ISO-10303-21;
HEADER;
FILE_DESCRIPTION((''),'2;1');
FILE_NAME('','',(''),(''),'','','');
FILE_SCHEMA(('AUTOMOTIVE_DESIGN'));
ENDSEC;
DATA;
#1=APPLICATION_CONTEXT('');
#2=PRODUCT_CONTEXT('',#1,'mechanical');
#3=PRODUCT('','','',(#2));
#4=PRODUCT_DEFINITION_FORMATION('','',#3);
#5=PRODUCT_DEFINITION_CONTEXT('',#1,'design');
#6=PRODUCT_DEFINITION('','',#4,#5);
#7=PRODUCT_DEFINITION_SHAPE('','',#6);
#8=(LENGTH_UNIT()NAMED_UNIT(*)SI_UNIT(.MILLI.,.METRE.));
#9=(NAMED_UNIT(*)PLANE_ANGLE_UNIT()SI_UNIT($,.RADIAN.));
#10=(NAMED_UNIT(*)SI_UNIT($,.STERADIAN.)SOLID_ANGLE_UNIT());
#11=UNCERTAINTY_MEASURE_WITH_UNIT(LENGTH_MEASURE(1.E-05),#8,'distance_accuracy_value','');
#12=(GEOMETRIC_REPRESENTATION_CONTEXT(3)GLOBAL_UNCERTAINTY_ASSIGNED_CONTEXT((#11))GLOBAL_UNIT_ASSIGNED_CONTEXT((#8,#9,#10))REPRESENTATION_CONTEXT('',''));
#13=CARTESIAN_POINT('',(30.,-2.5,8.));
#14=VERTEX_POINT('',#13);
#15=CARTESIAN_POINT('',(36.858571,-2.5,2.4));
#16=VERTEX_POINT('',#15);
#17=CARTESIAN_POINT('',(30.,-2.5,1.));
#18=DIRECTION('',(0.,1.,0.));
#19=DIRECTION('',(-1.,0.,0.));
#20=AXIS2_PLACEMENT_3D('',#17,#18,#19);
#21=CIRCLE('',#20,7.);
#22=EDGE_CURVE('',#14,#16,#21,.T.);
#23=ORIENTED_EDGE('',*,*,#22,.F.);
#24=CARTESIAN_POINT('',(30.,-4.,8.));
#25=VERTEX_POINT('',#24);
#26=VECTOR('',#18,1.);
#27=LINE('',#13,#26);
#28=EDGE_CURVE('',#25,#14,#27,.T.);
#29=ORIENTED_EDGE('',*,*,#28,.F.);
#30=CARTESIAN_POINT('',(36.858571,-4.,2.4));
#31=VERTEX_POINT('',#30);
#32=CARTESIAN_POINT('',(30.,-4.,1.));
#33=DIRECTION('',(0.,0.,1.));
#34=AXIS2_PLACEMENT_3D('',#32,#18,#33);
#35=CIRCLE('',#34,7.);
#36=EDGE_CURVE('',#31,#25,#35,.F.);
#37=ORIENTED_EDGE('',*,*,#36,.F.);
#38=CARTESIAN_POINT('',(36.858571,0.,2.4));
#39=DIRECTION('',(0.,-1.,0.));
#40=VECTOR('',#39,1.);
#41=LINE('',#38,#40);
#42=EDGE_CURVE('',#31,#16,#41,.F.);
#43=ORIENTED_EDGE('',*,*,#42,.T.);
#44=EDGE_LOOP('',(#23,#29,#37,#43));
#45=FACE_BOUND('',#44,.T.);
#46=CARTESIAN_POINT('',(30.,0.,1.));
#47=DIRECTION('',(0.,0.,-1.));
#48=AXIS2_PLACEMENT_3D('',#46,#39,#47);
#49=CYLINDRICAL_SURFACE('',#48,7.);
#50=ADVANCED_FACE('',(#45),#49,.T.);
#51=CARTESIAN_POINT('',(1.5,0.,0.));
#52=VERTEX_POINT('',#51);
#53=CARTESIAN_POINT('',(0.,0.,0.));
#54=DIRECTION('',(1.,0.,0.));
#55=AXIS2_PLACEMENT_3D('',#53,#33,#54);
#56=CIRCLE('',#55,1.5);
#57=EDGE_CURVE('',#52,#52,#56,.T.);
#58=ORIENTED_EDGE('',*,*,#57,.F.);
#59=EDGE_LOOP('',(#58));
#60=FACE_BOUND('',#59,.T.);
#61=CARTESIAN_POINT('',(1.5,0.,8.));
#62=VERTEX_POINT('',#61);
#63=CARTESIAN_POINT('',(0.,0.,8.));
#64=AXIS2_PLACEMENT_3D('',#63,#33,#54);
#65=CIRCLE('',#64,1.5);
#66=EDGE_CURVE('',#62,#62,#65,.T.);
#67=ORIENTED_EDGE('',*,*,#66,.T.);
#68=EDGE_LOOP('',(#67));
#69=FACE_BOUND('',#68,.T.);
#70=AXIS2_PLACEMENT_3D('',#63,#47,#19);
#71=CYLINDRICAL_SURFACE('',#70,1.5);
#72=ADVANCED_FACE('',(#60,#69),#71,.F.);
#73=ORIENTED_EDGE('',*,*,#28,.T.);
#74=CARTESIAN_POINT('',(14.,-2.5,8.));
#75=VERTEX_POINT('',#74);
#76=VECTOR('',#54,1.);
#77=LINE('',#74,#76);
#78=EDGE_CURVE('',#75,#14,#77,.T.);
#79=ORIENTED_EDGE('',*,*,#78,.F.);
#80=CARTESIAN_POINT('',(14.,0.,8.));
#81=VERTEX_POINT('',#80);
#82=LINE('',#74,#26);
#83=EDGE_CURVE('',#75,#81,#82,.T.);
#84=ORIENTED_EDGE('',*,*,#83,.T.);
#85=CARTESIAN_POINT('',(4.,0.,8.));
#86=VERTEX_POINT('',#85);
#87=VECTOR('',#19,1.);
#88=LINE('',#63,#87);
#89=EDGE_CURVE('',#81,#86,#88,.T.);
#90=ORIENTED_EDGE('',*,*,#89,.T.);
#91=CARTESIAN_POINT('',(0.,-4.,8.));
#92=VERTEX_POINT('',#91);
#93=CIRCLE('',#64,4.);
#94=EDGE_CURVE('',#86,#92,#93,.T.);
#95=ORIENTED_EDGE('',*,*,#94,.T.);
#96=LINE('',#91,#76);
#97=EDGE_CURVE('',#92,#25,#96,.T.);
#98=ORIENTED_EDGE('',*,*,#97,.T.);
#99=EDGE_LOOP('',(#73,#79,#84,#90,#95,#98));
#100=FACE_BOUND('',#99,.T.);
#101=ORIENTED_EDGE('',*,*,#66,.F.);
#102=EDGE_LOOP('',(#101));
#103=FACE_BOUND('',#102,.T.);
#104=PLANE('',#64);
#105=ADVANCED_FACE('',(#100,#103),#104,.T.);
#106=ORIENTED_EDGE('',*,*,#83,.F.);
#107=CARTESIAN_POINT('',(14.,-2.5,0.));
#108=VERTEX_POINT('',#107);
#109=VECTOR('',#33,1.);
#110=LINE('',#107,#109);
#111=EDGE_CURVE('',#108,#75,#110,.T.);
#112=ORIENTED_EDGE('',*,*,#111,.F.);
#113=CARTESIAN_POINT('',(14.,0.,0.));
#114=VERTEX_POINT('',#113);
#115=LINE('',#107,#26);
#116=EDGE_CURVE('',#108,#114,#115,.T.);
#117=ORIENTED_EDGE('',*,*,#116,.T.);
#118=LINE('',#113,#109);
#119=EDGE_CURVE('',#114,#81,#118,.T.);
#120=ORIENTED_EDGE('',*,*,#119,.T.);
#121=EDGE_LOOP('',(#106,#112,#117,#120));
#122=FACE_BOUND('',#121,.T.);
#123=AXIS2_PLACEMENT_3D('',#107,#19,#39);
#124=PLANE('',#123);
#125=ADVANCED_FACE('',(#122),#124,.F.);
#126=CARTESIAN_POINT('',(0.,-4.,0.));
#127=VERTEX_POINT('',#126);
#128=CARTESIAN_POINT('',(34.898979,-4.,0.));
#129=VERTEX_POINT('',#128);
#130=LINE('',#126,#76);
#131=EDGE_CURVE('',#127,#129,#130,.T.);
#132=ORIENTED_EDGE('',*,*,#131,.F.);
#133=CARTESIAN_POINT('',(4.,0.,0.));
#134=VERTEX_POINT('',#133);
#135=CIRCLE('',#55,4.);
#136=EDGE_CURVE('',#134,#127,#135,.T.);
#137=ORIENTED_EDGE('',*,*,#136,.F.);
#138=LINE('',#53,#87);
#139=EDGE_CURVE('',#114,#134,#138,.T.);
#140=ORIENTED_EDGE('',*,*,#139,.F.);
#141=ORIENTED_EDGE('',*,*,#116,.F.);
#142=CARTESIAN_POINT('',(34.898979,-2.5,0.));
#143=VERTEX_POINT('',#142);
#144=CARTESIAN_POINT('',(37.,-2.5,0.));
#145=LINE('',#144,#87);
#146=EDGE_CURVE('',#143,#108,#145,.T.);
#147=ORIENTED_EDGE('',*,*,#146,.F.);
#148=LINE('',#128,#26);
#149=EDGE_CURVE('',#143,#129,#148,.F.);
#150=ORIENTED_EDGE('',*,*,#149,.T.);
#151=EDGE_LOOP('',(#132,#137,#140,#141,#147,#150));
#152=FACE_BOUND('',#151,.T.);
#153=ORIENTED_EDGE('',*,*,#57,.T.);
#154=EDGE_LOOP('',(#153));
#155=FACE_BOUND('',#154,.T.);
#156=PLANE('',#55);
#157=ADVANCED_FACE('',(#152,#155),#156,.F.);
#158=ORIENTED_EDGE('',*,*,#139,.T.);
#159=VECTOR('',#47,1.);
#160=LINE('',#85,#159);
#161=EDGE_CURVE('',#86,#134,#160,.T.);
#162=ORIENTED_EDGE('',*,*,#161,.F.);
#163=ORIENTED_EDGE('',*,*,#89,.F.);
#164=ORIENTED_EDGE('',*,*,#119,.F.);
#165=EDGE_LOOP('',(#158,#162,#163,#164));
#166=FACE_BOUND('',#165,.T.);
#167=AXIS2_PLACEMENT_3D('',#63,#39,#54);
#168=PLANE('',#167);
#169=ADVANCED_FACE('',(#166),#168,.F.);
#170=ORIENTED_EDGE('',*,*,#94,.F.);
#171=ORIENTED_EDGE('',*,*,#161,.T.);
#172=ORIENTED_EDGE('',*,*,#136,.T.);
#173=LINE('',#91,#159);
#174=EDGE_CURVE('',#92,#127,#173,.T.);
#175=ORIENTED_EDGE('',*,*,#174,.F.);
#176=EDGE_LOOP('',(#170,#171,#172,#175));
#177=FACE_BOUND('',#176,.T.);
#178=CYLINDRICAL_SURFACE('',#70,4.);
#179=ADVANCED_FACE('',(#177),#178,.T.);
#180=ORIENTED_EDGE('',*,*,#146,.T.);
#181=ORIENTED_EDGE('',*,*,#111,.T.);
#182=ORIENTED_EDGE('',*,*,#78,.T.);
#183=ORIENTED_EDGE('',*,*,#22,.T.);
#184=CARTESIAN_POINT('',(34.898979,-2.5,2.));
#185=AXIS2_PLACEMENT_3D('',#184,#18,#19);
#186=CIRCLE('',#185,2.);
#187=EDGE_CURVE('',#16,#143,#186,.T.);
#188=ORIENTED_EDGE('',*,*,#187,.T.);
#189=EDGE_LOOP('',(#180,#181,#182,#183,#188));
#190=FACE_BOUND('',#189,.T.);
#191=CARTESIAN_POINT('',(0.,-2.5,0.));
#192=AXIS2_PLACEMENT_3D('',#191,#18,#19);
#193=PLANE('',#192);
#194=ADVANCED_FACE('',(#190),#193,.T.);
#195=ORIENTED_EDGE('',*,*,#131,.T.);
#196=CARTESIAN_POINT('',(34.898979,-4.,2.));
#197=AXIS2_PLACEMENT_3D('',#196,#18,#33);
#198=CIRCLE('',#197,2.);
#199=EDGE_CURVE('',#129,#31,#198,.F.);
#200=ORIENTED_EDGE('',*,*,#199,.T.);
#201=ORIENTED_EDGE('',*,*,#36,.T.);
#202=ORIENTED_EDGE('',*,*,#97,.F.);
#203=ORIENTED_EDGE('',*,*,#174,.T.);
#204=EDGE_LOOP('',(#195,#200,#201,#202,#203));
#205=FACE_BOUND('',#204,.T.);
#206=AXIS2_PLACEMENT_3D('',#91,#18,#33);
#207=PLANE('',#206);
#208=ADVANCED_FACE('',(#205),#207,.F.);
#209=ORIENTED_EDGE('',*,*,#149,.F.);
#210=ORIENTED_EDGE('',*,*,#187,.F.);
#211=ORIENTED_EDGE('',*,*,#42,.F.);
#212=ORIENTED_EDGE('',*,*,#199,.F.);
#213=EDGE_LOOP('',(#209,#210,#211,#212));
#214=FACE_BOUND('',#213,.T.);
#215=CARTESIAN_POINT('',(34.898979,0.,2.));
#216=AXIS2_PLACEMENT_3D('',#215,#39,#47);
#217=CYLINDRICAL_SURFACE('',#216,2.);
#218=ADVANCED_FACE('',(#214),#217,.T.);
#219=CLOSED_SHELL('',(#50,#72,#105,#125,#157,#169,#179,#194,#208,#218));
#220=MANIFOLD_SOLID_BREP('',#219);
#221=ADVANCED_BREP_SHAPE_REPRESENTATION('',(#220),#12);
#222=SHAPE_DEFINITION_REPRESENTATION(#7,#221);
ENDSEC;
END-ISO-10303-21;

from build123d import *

# Parameters (mm, degrees)
CROQUIS1_R              = 1.5
SALIENTE_EXTRUIR1_DEPTH = 8
CROQUIS2_W              = 23
CROQUIS2_H              = 8
CORTAR_EXTRUIR1_DEPTH   = 2.5
REDONDEO1_R             = 7
REDONDEO3_R             = 2


with BuildPart() as part:
    # Croquis1 → Saliente-Extruir1 (new body)
    with BuildSketch(Plane.XY):
        with BuildLine():
            Line((37, 0), (4, 0))
            ThreePointArc((4, 0), (-2.828427125, 2.828427125), (0, -4))
            Line((0, -4), (37, -4))
            Line((37, -4), (37, 0))
        make_face()
        Circle(CROQUIS1_R, mode=Mode.SUBTRACT)
    extrude(amount=SALIENTE_EXTRUIR1_DEPTH)

    # Croquis2 → Cortar-Extruir1 (cut)
    with BuildSketch(Plane(origin=(0, 0, 0), x_dir=(1, 0, 0), z_dir=(0, 1, 0))):
        with Locations((25.5, -4)):
            Rectangle(CROQUIS2_W, CROQUIS2_H)
    extrude(amount=-CORTAR_EXTRUIR1_DEPTH, mode=Mode.SUBTRACT)

    # Redondeo1
    redondeo1_edges = [part.edges().sort_by_distance(p)[0] for p in [
        (37, -3.25, 8),
    ]]
    fillet(redondeo1_edges, radius=REDONDEO1_R)

    # Redondeo3
    redondeo3_edges = [part.edges().sort_by_distance(p)[0] for p in [
        (37, -3.25, 0),
    ]]
    fillet(redondeo3_edges, radius=REDONDEO3_R)


solid = part.part
